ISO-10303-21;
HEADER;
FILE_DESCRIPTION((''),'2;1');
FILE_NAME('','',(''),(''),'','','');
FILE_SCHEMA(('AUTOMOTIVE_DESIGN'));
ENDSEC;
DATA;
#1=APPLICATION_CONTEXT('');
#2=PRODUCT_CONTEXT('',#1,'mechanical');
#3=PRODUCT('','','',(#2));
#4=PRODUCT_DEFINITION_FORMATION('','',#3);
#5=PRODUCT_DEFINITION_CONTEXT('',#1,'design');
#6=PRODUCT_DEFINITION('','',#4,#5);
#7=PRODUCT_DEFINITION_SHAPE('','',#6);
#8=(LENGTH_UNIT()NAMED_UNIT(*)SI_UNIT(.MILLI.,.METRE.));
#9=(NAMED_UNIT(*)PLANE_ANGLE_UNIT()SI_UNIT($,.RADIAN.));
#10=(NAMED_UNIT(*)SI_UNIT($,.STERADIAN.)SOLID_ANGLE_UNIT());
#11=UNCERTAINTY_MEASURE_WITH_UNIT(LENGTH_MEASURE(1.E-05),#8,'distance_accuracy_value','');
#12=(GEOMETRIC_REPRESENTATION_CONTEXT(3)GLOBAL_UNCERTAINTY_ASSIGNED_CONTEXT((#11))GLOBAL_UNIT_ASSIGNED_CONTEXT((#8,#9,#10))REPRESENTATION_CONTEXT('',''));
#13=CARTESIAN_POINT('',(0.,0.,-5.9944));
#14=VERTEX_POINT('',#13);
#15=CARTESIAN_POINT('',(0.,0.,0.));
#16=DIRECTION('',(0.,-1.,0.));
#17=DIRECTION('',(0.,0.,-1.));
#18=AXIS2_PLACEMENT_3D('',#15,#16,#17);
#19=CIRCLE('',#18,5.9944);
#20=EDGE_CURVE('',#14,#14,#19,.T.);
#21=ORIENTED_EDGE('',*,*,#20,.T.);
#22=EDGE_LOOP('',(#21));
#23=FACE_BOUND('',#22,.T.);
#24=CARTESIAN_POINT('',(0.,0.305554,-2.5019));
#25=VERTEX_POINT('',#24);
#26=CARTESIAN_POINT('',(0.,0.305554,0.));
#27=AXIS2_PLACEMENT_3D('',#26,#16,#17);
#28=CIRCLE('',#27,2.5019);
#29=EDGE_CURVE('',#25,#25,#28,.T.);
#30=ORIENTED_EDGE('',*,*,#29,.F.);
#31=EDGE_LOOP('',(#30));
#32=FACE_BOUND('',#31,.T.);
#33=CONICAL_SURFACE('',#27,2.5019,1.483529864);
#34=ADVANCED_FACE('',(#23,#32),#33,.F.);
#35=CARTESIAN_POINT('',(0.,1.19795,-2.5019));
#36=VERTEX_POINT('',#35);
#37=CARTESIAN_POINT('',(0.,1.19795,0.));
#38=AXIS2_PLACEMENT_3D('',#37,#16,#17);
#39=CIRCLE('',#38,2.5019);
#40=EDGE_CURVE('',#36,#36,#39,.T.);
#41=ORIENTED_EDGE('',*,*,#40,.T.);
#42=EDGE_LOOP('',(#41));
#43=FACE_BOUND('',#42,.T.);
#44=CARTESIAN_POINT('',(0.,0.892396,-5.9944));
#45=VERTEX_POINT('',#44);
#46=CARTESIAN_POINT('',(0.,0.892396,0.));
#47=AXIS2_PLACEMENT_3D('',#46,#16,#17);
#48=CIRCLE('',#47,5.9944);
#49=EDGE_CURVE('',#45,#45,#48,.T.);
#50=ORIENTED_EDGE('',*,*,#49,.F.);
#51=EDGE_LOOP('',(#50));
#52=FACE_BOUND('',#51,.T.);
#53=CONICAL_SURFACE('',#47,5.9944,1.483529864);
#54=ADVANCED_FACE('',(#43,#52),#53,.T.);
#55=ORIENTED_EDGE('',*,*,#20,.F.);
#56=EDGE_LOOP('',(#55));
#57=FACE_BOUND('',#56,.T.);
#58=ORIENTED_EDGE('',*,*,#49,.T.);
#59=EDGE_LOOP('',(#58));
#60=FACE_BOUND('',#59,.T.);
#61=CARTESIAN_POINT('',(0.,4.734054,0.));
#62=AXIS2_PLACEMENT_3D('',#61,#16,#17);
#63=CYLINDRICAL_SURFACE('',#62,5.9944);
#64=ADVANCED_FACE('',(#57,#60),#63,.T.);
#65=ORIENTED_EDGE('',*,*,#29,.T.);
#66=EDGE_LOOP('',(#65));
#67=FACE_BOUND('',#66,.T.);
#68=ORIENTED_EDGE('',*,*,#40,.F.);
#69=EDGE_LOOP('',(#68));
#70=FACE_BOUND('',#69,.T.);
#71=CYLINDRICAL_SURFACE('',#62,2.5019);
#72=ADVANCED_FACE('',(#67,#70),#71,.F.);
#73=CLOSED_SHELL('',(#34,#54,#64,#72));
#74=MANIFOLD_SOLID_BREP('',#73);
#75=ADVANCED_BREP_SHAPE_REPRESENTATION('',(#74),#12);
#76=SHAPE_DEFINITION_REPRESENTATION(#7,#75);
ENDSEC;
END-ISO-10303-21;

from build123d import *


with BuildPart() as part:
    # Sketch1 → Revolve1 (revolve)
    with BuildSketch(Plane.XY):
        Polygon((2.5019, 1.197949993), (2.5019, 0.305554157), (5.9944, 0), (5.9944, 0.892395836), align=None)
    revolve(axis=Axis((0, 4.734053857, 0), (0, 1, 0)))


solid = part.part
